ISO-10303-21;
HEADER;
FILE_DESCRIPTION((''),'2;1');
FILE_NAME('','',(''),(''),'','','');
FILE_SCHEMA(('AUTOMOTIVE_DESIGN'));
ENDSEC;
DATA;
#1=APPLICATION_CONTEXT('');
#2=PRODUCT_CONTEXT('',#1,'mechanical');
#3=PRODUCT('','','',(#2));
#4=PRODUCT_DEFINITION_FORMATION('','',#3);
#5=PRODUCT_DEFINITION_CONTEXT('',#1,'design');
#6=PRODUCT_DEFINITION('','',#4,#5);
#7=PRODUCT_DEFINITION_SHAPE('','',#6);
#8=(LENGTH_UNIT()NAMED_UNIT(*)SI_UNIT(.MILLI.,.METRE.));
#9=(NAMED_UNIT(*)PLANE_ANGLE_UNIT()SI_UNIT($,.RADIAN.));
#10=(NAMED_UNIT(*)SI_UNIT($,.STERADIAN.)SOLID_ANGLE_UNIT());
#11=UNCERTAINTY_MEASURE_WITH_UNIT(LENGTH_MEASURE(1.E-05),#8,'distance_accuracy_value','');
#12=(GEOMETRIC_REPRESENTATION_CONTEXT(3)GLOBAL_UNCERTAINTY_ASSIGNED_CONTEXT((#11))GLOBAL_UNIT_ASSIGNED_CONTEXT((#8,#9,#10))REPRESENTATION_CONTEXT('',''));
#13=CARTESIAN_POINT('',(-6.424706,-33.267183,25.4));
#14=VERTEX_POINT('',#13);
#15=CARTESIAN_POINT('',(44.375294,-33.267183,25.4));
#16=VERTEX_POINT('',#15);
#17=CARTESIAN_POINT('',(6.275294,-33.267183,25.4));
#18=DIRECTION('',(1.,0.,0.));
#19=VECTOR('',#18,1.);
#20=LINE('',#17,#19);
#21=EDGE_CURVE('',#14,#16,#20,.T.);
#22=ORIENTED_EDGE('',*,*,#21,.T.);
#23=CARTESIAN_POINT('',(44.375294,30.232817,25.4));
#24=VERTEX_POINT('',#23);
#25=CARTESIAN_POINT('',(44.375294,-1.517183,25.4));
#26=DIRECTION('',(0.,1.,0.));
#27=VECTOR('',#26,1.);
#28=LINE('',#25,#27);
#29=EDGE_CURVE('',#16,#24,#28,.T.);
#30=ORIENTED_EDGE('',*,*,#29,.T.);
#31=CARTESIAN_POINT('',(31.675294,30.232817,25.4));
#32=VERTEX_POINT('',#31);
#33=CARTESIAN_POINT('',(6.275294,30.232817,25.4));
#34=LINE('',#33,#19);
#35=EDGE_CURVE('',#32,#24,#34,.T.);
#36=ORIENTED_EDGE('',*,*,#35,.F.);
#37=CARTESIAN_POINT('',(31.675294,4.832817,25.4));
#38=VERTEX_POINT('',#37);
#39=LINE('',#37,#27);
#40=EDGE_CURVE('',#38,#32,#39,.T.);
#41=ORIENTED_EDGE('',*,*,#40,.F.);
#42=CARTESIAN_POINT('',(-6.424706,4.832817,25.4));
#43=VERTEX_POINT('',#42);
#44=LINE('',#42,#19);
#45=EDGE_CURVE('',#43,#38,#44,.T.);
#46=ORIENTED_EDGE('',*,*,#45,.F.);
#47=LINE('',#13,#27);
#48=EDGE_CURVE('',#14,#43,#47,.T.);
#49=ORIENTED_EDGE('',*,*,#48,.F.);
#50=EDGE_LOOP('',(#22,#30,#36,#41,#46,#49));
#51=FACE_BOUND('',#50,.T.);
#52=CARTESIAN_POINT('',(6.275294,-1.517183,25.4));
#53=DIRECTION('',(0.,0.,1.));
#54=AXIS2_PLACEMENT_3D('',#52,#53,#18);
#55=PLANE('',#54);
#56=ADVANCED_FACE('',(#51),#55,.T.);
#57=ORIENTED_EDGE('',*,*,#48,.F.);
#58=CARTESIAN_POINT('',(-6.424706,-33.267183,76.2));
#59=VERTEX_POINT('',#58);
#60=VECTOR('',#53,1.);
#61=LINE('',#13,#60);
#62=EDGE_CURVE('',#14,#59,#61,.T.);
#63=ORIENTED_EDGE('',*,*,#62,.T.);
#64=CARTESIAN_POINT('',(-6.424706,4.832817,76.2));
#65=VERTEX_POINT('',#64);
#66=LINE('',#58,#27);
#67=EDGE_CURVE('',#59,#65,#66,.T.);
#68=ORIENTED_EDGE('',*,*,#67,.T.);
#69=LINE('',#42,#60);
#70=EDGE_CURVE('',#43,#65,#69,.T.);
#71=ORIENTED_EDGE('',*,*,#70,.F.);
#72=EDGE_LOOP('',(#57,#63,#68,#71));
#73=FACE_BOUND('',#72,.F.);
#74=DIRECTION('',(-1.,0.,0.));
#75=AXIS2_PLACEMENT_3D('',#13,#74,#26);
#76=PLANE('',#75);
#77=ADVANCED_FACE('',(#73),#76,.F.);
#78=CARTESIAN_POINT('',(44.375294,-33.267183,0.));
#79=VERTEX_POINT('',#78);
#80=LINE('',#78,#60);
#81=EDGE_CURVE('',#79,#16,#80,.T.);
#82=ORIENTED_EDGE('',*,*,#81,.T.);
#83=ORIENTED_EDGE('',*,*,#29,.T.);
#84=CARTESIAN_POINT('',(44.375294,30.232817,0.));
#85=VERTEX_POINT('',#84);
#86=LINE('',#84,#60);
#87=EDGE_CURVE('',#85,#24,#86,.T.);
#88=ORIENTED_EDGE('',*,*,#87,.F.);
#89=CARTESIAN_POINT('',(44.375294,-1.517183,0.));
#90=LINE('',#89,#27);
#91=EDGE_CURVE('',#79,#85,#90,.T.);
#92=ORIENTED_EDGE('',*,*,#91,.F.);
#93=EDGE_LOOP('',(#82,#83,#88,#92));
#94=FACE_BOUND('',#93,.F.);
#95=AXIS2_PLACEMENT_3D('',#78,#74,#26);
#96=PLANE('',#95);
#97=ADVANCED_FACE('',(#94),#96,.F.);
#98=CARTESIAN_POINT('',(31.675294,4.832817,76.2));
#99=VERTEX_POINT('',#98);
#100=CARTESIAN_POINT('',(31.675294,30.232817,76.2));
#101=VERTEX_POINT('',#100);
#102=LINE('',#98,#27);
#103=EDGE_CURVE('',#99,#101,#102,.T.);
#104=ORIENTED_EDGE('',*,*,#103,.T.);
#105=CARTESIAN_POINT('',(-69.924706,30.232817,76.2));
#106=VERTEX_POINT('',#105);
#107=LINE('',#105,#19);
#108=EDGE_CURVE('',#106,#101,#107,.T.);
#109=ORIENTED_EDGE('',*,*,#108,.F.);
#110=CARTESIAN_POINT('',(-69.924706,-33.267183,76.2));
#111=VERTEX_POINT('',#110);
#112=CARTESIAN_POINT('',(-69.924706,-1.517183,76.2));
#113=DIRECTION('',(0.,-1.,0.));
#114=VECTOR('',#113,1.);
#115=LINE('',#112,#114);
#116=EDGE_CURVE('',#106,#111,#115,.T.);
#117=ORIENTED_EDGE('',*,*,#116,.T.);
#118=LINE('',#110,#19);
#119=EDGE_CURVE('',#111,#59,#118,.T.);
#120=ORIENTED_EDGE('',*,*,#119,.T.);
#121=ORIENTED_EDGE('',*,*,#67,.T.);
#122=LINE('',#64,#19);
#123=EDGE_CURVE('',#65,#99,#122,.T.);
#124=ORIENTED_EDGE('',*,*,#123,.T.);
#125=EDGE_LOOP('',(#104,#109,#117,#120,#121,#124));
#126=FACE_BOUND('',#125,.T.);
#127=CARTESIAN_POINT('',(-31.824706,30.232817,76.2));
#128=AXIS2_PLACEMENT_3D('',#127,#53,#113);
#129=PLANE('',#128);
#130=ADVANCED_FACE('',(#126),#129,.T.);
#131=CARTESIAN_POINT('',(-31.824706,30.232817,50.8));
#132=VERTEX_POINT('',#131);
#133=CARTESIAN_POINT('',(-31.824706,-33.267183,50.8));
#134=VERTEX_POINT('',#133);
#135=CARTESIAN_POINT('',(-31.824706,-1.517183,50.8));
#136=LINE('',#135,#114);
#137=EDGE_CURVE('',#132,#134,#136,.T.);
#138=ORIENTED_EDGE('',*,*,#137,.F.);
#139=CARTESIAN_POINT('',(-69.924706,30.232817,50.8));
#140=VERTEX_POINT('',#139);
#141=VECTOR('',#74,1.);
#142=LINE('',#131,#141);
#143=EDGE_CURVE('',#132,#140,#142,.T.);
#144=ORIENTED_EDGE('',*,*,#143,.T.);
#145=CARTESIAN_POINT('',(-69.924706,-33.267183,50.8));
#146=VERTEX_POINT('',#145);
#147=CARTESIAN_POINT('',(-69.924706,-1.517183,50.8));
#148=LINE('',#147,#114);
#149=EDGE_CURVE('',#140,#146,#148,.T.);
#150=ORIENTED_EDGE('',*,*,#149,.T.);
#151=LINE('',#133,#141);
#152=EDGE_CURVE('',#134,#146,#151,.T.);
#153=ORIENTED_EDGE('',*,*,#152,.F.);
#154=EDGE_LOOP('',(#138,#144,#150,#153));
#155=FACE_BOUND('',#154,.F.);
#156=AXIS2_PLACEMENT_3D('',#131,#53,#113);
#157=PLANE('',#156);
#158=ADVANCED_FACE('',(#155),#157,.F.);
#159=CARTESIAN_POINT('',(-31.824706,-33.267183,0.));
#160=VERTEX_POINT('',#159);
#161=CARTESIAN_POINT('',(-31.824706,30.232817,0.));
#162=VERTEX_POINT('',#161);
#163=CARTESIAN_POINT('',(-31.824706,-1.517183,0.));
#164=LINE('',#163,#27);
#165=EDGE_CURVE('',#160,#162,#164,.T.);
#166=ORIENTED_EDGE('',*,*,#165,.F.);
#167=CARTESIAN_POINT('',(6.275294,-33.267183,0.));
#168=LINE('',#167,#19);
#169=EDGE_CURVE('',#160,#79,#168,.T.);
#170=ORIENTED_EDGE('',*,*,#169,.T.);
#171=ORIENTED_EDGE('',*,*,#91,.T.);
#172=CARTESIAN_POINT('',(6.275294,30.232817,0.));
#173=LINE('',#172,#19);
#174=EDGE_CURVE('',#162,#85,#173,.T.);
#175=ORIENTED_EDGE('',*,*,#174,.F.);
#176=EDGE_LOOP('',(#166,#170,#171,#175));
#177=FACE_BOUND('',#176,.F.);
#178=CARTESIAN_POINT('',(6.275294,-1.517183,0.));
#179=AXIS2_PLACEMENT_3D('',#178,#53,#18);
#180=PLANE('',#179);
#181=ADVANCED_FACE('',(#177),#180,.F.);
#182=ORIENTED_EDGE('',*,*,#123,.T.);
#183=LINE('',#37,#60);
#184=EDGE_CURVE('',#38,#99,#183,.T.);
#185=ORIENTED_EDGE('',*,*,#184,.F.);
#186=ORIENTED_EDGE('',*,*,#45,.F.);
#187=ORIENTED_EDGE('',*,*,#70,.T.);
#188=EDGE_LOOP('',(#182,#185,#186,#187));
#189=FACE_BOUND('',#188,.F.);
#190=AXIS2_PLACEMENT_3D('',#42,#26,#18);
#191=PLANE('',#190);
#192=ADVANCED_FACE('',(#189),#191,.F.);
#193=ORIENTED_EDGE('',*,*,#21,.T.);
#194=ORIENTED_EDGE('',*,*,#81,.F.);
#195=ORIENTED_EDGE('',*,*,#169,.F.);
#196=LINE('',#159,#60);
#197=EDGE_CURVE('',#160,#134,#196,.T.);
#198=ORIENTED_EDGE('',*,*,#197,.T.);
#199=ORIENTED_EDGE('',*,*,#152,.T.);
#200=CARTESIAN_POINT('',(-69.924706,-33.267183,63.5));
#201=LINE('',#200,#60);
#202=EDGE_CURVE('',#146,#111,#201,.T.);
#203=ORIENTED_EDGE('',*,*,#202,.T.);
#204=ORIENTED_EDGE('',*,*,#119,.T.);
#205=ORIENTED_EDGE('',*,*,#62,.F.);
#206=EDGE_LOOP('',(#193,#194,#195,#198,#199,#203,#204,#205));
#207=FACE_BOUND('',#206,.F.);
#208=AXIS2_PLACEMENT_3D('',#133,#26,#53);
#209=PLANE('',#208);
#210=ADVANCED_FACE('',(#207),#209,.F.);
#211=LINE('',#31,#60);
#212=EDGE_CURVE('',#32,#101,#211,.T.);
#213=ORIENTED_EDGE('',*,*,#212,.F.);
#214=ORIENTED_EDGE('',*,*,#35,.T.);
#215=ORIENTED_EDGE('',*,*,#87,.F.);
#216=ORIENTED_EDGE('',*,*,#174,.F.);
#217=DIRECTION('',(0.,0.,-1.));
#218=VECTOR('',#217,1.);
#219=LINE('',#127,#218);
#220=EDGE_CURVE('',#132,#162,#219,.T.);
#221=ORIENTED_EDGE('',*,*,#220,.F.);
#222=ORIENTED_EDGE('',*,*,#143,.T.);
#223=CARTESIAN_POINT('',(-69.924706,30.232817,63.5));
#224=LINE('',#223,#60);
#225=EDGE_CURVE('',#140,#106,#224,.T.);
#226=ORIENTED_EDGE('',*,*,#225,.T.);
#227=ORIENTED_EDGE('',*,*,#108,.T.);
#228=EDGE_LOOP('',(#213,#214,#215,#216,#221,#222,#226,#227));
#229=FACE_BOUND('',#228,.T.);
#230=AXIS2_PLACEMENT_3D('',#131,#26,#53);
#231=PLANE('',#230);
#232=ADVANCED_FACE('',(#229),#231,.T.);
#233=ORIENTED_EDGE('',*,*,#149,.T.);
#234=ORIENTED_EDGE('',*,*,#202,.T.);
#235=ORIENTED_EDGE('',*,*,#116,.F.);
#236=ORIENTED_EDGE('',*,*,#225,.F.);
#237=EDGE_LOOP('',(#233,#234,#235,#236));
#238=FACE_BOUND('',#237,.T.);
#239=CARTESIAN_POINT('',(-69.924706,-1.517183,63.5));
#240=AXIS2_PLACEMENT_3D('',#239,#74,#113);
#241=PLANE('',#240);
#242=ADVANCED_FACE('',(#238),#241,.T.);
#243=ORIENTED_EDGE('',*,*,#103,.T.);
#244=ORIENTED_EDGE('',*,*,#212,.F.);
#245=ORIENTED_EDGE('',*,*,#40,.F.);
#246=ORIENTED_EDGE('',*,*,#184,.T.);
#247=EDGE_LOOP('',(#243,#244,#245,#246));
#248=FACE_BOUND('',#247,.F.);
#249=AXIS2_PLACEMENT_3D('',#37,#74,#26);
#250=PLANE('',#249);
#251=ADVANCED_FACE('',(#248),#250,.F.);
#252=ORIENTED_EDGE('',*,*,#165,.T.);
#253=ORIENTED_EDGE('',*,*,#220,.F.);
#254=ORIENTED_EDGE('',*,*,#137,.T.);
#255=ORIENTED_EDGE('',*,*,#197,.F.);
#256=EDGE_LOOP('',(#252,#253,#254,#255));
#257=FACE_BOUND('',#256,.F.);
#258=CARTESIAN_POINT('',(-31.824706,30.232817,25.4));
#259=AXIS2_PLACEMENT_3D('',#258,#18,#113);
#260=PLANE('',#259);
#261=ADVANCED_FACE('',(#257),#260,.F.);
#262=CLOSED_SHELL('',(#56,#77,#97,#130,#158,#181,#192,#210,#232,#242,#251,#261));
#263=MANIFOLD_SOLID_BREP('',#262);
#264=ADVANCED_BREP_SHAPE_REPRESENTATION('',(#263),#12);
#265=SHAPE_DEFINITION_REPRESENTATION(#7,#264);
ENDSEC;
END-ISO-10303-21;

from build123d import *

# Parameters (mm, degrees)
F0_W     = 76.2
F0_H     = 63.5
F1_DEPTH = 25.4
F3_DEPTH = 50.8
F4_W     = 63.5
F4_H     = 25.4
F5_DEPTH = 38.1


with BuildPart() as f1:
    # F0 (on Top) → F1 (new body)
    with BuildSketch(Plane.XY):
        with Locations((6.275294, -1.517183)):
            Rectangle(F0_W, F0_H)
    extrude(amount=F1_DEPTH)

    # F2 (on face) → F3 (join)
    with BuildSketch(Plane.XY.offset(25.4)):
        Polygon((-31.824706, 30.232817), (-31.824706, -33.267183), (-6.424706, -33.267183), (-6.424706, 4.832817), (31.675294, 4.832817), (31.675294, 30.232817), align=None)
    extrude(amount=F3_DEPTH)

    # F4 (on face) → F5 (join)
    with BuildSketch(Plane(origin=(-31.824706, 0, 0), x_dir=(0, -1, 0), z_dir=(-1, 0, 0))):
        with Locations((1.517183, 63.5)):
            Rectangle(F4_W, F4_H)
    extrude(amount=F5_DEPTH)


solid = f1.part
